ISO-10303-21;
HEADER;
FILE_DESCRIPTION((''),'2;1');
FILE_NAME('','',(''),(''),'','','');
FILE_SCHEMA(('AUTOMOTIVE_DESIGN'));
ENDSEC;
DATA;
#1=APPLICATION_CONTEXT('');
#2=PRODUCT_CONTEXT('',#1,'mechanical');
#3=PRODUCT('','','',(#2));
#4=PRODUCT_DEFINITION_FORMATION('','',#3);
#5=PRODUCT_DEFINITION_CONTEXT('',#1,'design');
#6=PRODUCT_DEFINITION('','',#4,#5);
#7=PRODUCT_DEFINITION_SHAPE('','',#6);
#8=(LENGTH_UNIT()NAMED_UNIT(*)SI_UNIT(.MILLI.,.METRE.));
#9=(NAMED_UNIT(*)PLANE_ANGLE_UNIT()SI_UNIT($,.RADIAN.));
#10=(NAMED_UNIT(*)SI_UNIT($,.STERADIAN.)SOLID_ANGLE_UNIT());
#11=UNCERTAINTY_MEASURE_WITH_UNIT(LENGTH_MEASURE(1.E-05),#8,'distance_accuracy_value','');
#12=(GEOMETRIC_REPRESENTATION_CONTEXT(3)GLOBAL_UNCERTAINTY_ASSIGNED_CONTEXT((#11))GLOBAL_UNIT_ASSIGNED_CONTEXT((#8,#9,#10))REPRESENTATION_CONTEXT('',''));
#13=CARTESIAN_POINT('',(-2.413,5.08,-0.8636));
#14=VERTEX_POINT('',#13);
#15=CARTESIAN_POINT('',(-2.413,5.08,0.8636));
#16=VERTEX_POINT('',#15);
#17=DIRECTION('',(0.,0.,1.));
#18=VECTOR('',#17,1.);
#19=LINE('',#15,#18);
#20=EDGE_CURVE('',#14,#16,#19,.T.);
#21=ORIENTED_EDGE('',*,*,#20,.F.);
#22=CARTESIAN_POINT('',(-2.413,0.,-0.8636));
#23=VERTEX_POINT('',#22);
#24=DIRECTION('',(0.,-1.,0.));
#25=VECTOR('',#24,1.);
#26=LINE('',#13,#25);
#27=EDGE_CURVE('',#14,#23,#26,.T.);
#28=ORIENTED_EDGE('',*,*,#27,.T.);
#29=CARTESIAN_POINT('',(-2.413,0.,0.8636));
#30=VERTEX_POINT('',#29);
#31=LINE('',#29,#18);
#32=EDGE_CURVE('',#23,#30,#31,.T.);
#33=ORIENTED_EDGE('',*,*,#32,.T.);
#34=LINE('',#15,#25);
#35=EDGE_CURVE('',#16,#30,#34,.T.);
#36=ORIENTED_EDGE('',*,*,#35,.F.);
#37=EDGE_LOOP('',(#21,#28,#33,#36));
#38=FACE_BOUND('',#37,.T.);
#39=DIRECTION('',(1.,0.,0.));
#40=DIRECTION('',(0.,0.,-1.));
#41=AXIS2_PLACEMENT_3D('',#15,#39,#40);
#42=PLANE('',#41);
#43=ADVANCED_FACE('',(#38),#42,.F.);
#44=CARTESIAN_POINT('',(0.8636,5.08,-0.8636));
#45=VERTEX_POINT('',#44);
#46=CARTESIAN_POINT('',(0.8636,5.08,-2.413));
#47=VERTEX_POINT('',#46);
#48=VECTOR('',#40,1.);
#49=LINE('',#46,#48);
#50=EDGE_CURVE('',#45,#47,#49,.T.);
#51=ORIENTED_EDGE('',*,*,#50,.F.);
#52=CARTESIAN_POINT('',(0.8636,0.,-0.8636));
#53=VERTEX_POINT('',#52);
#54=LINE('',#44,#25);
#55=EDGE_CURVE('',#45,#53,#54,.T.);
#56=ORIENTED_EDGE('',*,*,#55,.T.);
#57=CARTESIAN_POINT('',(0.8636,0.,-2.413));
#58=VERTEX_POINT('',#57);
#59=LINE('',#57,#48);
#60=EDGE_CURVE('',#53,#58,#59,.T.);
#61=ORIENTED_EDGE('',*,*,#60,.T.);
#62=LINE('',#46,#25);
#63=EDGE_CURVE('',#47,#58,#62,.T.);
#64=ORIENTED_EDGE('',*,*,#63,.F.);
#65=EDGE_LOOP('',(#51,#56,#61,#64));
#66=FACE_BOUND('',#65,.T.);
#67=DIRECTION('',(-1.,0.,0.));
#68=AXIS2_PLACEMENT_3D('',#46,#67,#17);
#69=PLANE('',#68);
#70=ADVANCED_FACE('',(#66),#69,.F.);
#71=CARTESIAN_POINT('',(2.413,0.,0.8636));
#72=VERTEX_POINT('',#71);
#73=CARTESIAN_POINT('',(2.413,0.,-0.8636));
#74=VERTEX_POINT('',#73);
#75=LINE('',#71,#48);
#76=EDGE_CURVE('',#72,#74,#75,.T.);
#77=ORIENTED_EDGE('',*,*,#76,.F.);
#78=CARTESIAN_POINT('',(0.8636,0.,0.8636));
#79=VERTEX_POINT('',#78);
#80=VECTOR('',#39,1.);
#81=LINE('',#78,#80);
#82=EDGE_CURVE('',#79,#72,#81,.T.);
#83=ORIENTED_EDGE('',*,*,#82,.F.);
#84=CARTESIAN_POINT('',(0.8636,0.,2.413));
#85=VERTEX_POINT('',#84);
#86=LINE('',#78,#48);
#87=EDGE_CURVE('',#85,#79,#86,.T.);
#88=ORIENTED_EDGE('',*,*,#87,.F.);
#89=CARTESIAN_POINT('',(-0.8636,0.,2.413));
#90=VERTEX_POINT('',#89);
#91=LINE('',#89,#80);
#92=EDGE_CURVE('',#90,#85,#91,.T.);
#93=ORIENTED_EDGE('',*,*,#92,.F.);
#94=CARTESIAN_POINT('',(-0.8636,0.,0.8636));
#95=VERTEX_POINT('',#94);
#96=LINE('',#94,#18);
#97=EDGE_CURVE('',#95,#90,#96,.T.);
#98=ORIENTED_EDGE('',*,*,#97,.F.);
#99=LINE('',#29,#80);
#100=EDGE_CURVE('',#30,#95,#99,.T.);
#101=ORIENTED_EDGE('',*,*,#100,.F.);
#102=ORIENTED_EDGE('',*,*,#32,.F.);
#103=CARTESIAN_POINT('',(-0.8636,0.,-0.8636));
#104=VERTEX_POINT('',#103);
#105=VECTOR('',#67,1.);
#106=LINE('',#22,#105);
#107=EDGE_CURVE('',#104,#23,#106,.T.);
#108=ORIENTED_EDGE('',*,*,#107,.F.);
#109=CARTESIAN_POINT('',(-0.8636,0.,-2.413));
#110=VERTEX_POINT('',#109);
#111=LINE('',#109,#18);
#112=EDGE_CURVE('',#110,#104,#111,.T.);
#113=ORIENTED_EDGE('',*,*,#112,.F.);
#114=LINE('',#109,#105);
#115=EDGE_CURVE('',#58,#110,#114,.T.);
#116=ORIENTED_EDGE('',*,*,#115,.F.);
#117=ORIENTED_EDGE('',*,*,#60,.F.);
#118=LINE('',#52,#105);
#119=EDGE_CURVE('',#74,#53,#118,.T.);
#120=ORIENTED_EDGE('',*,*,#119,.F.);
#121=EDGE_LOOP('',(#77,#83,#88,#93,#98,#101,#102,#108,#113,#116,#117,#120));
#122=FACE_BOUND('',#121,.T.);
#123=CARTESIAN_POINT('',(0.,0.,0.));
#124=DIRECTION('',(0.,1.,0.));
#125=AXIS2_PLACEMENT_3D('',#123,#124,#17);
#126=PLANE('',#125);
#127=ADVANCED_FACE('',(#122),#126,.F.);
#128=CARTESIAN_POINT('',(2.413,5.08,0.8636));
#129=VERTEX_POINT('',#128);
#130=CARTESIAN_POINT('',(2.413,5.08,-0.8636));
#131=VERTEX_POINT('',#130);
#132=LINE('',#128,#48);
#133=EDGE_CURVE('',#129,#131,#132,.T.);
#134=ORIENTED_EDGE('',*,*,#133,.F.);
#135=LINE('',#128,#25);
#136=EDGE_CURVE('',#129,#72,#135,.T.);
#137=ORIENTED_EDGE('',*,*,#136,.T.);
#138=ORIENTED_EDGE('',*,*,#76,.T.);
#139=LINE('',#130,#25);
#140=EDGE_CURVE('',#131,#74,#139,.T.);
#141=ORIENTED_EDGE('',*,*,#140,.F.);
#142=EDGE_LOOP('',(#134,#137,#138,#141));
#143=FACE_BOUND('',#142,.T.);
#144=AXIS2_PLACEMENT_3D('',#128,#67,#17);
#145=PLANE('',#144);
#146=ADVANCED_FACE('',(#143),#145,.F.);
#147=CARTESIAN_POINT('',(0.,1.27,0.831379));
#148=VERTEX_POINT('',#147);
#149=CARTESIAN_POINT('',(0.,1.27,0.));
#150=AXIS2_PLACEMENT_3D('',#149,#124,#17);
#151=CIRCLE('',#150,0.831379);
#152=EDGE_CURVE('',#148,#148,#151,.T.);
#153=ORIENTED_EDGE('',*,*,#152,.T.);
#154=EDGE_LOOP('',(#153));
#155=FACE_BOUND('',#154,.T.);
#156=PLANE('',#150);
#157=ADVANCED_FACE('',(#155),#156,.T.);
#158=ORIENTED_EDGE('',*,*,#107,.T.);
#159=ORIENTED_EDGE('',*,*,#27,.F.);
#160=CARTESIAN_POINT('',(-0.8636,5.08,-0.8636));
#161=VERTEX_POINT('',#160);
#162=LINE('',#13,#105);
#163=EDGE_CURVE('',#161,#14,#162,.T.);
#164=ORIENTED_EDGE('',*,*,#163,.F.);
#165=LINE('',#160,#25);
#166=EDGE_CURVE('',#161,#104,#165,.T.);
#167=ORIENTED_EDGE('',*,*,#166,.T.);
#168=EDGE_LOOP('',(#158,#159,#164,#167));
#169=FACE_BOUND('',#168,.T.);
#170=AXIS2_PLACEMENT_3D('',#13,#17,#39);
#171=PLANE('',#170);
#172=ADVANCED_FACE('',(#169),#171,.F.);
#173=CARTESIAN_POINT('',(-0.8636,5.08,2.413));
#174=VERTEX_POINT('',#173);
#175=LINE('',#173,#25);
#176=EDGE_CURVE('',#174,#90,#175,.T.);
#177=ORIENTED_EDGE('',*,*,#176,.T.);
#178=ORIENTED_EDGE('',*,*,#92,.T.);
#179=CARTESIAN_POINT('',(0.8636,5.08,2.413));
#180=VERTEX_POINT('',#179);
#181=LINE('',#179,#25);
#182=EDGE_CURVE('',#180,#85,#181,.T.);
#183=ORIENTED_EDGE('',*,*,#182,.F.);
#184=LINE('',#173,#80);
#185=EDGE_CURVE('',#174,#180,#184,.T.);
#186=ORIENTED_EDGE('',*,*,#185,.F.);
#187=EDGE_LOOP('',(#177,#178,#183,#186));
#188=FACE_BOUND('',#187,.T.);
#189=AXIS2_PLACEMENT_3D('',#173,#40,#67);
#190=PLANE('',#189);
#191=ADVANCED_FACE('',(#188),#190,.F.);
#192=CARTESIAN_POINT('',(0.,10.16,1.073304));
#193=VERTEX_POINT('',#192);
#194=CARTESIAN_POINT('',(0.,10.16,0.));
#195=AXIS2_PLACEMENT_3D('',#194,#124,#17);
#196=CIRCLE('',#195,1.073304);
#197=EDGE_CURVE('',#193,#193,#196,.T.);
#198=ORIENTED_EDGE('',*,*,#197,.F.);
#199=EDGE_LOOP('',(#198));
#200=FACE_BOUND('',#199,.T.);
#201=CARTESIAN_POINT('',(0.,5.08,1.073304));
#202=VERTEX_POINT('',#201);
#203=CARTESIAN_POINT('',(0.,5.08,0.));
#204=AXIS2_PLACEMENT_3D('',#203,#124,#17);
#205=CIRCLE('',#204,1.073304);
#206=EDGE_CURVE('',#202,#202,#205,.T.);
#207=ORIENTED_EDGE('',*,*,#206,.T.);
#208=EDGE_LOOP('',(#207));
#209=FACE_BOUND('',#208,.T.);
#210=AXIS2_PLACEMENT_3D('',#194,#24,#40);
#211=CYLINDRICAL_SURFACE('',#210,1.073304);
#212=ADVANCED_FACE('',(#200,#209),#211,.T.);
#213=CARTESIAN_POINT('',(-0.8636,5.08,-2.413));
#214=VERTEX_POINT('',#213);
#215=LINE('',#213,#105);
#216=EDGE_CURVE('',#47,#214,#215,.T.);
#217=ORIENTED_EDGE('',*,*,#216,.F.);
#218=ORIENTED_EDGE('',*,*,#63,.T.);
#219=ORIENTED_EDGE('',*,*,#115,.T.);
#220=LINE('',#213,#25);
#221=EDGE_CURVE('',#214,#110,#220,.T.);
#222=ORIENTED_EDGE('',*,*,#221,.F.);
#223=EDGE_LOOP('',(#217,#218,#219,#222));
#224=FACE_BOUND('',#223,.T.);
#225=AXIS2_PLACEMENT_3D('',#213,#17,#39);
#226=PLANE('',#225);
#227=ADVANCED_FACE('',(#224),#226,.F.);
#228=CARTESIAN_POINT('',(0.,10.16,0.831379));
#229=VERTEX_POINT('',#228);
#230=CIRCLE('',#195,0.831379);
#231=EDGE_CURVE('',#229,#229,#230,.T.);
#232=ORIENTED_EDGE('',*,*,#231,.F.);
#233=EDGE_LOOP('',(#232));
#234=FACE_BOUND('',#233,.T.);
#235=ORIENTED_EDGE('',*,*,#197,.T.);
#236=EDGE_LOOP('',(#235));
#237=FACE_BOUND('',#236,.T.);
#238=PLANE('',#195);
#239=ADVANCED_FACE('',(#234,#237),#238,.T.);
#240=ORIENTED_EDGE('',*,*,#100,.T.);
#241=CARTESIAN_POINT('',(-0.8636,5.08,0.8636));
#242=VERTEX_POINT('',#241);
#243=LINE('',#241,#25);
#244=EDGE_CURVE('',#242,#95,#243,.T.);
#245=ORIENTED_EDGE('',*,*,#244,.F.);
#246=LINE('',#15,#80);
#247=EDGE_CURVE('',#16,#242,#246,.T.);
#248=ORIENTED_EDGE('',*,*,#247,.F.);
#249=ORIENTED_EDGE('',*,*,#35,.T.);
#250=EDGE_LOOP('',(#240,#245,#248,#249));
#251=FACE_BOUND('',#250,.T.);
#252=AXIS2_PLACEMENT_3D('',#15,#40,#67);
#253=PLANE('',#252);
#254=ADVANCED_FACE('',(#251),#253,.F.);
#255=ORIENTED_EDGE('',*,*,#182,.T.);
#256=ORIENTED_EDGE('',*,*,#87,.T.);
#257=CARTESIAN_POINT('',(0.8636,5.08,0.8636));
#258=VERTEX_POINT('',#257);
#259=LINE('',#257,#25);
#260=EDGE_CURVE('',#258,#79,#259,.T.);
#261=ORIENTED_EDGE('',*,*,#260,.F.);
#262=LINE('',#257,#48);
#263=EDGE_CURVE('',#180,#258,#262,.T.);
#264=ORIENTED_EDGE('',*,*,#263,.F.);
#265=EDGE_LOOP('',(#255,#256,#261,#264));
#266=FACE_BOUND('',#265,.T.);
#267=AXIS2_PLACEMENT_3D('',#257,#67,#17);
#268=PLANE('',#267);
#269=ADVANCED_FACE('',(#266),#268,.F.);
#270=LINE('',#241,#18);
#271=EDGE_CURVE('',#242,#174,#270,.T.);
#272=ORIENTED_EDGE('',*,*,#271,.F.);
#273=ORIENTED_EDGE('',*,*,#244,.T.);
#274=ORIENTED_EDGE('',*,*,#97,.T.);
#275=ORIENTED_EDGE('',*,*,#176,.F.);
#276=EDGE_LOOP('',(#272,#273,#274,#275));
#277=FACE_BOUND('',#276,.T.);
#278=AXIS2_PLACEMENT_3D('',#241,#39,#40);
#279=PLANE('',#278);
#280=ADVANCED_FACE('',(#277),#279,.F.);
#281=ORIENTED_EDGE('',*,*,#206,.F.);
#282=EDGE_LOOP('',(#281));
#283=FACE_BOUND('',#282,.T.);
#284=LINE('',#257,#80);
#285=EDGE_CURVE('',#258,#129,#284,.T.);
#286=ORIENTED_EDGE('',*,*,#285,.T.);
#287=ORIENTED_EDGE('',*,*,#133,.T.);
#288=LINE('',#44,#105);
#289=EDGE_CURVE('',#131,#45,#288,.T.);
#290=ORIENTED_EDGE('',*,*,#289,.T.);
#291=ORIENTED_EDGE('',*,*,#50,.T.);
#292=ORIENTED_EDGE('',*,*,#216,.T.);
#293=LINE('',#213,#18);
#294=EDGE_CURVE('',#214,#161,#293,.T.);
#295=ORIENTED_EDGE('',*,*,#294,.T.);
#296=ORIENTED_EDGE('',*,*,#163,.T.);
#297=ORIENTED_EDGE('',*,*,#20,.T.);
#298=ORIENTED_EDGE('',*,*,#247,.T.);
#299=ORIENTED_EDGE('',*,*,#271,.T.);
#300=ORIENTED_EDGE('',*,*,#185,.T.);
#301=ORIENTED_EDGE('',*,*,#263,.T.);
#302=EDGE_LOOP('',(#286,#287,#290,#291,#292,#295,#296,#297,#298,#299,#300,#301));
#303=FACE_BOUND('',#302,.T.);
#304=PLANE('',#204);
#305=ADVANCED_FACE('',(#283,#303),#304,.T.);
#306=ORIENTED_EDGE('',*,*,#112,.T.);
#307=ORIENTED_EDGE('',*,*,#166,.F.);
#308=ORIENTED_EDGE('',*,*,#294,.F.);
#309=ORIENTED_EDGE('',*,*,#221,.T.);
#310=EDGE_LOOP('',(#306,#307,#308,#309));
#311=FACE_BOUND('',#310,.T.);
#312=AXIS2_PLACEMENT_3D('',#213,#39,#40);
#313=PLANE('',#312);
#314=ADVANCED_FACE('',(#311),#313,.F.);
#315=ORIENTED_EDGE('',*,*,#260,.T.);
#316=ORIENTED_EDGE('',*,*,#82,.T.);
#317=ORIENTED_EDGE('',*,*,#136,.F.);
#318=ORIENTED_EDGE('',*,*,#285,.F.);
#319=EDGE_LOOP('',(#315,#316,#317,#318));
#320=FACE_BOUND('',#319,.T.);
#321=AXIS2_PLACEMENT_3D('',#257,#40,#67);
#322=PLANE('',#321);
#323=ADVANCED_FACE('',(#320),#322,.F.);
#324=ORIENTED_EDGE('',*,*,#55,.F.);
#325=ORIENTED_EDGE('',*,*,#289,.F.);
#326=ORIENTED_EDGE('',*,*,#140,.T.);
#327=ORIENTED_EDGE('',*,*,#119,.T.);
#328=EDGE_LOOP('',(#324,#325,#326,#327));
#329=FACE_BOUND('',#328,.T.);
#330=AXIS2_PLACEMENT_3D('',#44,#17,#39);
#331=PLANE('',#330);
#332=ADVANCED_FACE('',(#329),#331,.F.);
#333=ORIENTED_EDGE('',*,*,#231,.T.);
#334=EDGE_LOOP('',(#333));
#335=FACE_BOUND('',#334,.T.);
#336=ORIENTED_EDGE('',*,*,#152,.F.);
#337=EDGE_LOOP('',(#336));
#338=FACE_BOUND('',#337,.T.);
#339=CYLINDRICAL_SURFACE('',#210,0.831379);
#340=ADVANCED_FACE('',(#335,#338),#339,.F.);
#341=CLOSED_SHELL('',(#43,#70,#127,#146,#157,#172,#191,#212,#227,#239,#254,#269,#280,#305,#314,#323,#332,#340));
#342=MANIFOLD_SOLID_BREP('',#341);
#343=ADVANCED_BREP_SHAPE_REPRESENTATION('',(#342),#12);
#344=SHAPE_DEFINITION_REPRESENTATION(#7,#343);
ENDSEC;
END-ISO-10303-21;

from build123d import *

# Parameters (mm, degrees)
BOSS_EXTRUDE1_DEPTH = 5.08
SKETCH2_R           = 1.073303583
SKETCH2_R_2         = 0.831378849
BOSS_EXTRUDE2_DEPTH = 5.08
CUT_EXTRUDE1_START  = -3.81
SKETCH4_R           = 0.831378849
CUT_EXTRUDE1_DEPTH  = 3.81


with BuildPart() as part:
    # Sketch1 → Boss-Extrude1 (new body)
    with BuildSketch(Plane(origin=(0, 0, 0), x_dir=(1, 0, 0), z_dir=(0, 1, 0))):
        Polygon((0.8636, 0.8636), (2.413, 0.8636), (2.413, -0.8636), (0.8636, -0.8636), (0.8636, -2.413), (-0.8636, -2.413), (-0.8636, -0.8636), (-2.413, -0.8636), (-2.413, 0.8636), (-0.8636, 0.8636), (-0.8636, 2.413), (0.8636, 2.413), align=None)
    extrude(amount=BOSS_EXTRUDE1_DEPTH)

    # Sketch2 → Boss-Extrude2 (add)
    with BuildSketch(Plane(origin=(0, 5.08, 0), x_dir=(1, 0, 0), z_dir=(0, 1, 0))):
        with Locations(Location((0, 0, 0), (0, 0, 270))):
            Circle(SKETCH2_R)
        with Locations(Location((0, 0, 0), (0, 0, 270))):
            Circle(SKETCH2_R_2, mode=Mode.SUBTRACT)
    extrude(amount=BOSS_EXTRUDE2_DEPTH)

    # Sketch4 → Cut-Extrude1 (cut)
    with BuildSketch(Plane(origin=(0, 5.08, 0), x_dir=(1, 0, 0), z_dir=(0, 1, 0)).offset(CUT_EXTRUDE1_START)):
        with Locations(Location((0, 0, 0), (0, 0, 270))):
            Circle(SKETCH4_R)
    extrude(amount=CUT_EXTRUDE1_DEPTH, mode=Mode.SUBTRACT)


solid = part.part
